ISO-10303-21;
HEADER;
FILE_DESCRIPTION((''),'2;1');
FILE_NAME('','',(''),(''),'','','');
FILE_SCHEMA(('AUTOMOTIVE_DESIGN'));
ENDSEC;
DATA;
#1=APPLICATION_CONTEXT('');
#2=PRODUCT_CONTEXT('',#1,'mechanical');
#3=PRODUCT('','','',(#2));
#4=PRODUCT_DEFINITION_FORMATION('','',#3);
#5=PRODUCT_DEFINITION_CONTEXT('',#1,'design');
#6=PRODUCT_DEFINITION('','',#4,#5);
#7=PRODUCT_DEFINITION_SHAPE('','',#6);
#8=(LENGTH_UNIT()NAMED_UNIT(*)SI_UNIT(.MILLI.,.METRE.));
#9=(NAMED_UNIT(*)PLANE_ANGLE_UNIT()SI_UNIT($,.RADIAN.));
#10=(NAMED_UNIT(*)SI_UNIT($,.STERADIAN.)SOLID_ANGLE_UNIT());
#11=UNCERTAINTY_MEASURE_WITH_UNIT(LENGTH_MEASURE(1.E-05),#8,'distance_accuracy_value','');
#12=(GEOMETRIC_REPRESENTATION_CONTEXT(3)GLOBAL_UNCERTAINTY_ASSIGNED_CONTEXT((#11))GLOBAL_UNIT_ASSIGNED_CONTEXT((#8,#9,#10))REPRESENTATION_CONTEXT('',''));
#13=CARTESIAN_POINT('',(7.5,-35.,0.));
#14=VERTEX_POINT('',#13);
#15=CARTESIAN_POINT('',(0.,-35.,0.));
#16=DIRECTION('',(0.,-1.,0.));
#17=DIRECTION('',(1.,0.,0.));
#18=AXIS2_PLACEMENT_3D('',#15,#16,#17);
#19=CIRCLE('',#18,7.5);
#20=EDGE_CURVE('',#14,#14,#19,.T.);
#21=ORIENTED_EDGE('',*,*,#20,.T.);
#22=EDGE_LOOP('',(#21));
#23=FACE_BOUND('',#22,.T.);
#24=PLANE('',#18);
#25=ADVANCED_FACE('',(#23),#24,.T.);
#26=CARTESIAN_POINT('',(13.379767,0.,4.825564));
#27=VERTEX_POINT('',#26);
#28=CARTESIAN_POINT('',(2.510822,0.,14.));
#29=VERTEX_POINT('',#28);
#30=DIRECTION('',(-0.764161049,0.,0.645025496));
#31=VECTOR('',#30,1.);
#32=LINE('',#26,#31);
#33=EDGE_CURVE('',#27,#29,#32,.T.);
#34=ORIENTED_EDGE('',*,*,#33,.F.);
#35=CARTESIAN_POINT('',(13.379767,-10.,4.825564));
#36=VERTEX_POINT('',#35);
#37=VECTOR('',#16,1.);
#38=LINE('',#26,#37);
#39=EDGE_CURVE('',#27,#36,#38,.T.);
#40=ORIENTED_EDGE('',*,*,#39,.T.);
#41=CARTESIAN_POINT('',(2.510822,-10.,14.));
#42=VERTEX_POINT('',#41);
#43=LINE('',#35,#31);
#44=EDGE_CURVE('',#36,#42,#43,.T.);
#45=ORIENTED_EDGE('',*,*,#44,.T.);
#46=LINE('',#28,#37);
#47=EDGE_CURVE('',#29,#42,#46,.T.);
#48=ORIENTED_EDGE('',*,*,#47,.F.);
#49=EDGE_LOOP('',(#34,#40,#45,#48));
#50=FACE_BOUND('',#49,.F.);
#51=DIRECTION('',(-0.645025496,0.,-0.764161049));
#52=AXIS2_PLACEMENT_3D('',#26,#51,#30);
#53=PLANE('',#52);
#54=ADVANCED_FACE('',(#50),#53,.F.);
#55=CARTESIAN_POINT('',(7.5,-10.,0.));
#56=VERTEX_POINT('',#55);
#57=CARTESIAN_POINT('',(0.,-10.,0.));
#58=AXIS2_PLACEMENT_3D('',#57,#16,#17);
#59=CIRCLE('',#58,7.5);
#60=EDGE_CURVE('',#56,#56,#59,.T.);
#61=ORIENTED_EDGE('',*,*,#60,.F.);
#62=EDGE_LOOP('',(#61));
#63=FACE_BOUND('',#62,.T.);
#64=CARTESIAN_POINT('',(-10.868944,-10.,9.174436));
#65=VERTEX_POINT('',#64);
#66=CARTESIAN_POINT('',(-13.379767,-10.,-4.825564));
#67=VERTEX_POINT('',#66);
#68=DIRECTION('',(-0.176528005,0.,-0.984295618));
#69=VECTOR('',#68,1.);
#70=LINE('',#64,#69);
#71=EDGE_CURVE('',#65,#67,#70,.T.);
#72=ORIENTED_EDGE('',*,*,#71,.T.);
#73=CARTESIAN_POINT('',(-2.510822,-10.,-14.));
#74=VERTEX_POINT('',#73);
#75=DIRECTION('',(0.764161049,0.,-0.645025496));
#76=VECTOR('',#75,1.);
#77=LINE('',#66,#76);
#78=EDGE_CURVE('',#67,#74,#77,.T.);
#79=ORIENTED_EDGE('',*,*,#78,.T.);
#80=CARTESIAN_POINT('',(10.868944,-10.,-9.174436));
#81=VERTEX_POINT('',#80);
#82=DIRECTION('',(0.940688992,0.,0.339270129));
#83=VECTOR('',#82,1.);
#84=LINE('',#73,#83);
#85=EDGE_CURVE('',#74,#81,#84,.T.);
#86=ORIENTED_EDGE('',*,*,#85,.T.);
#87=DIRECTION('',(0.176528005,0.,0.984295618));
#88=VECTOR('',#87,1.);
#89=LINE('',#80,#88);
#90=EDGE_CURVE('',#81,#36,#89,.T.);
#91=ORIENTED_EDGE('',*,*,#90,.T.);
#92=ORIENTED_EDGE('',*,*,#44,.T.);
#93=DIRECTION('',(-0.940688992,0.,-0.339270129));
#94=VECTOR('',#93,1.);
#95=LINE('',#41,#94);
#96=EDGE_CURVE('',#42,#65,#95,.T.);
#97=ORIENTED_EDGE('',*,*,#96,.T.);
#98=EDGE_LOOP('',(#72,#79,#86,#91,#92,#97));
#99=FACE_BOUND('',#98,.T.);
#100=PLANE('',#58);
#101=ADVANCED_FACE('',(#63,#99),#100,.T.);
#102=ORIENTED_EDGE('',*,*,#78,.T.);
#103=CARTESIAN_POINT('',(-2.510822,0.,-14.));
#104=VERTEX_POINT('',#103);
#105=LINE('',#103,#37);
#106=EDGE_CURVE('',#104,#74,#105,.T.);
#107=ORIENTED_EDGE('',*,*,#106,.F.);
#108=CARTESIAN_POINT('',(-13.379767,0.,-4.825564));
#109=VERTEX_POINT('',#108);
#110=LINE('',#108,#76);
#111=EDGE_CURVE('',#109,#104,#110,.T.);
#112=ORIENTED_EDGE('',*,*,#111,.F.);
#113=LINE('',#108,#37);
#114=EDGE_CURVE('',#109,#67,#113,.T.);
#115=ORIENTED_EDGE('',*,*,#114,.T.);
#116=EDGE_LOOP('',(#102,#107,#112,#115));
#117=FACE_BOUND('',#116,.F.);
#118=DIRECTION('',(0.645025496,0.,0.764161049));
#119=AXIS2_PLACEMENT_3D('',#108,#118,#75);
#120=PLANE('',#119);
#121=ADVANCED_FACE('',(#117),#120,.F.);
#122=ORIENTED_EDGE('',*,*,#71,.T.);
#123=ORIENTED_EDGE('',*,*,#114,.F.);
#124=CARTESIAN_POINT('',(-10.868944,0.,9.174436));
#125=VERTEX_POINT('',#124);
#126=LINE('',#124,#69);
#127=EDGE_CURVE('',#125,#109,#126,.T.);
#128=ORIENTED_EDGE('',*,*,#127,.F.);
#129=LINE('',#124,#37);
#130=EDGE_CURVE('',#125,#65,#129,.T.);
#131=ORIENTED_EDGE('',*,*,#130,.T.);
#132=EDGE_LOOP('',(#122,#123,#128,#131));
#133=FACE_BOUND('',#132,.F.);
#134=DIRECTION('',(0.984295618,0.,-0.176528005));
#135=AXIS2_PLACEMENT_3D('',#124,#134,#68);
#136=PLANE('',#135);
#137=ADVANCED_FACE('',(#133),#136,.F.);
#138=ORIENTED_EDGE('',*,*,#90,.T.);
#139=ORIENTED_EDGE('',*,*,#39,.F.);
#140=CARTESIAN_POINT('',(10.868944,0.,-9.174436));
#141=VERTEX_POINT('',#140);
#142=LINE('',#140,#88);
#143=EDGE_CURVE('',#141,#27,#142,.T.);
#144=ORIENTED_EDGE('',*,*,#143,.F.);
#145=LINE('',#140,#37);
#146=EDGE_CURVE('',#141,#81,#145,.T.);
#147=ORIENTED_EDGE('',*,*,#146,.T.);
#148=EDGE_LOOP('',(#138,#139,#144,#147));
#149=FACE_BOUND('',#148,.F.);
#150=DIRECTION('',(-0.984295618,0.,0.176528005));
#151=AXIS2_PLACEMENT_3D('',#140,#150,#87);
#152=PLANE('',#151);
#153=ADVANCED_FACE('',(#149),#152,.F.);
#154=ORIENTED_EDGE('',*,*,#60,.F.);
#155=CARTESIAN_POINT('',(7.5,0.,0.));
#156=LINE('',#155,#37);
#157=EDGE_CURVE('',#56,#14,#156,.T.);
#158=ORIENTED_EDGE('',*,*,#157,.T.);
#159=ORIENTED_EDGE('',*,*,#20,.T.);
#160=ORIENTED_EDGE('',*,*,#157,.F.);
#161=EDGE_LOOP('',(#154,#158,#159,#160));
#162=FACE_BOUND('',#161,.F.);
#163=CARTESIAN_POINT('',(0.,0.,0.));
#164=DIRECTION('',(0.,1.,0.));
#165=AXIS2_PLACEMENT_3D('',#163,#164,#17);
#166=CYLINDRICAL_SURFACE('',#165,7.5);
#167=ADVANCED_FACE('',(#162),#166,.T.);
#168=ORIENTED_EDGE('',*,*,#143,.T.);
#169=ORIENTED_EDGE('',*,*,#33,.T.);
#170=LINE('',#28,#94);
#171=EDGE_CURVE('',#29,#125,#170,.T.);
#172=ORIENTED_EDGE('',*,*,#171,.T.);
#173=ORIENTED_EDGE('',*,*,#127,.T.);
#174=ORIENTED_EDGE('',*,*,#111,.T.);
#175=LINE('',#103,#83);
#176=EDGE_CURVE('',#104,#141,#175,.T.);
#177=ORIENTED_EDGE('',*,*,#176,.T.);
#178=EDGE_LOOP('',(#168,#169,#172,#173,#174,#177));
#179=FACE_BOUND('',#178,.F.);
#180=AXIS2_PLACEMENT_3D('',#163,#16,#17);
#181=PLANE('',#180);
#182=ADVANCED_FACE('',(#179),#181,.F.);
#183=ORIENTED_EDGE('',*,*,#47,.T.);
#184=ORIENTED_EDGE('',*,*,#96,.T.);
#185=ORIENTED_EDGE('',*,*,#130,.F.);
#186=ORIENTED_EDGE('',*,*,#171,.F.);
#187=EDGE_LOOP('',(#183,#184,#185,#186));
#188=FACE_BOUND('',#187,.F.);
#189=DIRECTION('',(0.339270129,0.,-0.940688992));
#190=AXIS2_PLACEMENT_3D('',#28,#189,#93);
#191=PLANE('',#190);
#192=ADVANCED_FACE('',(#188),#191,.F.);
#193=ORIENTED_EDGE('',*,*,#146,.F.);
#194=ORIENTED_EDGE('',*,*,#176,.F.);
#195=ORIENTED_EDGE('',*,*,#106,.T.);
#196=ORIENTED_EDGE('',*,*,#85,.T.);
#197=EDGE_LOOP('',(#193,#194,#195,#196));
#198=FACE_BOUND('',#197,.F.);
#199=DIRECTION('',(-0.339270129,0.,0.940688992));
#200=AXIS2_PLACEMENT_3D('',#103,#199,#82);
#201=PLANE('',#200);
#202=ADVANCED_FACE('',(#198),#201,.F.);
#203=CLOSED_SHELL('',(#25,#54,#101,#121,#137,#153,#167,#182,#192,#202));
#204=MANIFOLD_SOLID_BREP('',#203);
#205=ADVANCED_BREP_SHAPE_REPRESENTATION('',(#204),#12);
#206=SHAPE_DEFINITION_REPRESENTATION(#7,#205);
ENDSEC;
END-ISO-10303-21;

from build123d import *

# Parameters (mm, degrees)
F0_R     = 7.5
F1_DEPTH = 35
F2_DEPTH = 10


with BuildPart() as f1:
    # F0 (on Front) → F1 (new body)
    with BuildSketch(Plane.XZ):
        Circle(F0_R)
    extrude(amount=F1_DEPTH)

    # F0 (on Front) → F2 (join)
    with BuildSketch(Plane.XZ):
        Polygon((13.379767, 4.825564), (2.510822, 14), (-10.868944, 9.174436), (-13.379767, -4.825564), (-2.510822, -14), (10.868944, -9.174436), align=None)
        Circle(F0_R, mode=Mode.SUBTRACT)
    extrude(amount=F2_DEPTH)


solid = f1.part
